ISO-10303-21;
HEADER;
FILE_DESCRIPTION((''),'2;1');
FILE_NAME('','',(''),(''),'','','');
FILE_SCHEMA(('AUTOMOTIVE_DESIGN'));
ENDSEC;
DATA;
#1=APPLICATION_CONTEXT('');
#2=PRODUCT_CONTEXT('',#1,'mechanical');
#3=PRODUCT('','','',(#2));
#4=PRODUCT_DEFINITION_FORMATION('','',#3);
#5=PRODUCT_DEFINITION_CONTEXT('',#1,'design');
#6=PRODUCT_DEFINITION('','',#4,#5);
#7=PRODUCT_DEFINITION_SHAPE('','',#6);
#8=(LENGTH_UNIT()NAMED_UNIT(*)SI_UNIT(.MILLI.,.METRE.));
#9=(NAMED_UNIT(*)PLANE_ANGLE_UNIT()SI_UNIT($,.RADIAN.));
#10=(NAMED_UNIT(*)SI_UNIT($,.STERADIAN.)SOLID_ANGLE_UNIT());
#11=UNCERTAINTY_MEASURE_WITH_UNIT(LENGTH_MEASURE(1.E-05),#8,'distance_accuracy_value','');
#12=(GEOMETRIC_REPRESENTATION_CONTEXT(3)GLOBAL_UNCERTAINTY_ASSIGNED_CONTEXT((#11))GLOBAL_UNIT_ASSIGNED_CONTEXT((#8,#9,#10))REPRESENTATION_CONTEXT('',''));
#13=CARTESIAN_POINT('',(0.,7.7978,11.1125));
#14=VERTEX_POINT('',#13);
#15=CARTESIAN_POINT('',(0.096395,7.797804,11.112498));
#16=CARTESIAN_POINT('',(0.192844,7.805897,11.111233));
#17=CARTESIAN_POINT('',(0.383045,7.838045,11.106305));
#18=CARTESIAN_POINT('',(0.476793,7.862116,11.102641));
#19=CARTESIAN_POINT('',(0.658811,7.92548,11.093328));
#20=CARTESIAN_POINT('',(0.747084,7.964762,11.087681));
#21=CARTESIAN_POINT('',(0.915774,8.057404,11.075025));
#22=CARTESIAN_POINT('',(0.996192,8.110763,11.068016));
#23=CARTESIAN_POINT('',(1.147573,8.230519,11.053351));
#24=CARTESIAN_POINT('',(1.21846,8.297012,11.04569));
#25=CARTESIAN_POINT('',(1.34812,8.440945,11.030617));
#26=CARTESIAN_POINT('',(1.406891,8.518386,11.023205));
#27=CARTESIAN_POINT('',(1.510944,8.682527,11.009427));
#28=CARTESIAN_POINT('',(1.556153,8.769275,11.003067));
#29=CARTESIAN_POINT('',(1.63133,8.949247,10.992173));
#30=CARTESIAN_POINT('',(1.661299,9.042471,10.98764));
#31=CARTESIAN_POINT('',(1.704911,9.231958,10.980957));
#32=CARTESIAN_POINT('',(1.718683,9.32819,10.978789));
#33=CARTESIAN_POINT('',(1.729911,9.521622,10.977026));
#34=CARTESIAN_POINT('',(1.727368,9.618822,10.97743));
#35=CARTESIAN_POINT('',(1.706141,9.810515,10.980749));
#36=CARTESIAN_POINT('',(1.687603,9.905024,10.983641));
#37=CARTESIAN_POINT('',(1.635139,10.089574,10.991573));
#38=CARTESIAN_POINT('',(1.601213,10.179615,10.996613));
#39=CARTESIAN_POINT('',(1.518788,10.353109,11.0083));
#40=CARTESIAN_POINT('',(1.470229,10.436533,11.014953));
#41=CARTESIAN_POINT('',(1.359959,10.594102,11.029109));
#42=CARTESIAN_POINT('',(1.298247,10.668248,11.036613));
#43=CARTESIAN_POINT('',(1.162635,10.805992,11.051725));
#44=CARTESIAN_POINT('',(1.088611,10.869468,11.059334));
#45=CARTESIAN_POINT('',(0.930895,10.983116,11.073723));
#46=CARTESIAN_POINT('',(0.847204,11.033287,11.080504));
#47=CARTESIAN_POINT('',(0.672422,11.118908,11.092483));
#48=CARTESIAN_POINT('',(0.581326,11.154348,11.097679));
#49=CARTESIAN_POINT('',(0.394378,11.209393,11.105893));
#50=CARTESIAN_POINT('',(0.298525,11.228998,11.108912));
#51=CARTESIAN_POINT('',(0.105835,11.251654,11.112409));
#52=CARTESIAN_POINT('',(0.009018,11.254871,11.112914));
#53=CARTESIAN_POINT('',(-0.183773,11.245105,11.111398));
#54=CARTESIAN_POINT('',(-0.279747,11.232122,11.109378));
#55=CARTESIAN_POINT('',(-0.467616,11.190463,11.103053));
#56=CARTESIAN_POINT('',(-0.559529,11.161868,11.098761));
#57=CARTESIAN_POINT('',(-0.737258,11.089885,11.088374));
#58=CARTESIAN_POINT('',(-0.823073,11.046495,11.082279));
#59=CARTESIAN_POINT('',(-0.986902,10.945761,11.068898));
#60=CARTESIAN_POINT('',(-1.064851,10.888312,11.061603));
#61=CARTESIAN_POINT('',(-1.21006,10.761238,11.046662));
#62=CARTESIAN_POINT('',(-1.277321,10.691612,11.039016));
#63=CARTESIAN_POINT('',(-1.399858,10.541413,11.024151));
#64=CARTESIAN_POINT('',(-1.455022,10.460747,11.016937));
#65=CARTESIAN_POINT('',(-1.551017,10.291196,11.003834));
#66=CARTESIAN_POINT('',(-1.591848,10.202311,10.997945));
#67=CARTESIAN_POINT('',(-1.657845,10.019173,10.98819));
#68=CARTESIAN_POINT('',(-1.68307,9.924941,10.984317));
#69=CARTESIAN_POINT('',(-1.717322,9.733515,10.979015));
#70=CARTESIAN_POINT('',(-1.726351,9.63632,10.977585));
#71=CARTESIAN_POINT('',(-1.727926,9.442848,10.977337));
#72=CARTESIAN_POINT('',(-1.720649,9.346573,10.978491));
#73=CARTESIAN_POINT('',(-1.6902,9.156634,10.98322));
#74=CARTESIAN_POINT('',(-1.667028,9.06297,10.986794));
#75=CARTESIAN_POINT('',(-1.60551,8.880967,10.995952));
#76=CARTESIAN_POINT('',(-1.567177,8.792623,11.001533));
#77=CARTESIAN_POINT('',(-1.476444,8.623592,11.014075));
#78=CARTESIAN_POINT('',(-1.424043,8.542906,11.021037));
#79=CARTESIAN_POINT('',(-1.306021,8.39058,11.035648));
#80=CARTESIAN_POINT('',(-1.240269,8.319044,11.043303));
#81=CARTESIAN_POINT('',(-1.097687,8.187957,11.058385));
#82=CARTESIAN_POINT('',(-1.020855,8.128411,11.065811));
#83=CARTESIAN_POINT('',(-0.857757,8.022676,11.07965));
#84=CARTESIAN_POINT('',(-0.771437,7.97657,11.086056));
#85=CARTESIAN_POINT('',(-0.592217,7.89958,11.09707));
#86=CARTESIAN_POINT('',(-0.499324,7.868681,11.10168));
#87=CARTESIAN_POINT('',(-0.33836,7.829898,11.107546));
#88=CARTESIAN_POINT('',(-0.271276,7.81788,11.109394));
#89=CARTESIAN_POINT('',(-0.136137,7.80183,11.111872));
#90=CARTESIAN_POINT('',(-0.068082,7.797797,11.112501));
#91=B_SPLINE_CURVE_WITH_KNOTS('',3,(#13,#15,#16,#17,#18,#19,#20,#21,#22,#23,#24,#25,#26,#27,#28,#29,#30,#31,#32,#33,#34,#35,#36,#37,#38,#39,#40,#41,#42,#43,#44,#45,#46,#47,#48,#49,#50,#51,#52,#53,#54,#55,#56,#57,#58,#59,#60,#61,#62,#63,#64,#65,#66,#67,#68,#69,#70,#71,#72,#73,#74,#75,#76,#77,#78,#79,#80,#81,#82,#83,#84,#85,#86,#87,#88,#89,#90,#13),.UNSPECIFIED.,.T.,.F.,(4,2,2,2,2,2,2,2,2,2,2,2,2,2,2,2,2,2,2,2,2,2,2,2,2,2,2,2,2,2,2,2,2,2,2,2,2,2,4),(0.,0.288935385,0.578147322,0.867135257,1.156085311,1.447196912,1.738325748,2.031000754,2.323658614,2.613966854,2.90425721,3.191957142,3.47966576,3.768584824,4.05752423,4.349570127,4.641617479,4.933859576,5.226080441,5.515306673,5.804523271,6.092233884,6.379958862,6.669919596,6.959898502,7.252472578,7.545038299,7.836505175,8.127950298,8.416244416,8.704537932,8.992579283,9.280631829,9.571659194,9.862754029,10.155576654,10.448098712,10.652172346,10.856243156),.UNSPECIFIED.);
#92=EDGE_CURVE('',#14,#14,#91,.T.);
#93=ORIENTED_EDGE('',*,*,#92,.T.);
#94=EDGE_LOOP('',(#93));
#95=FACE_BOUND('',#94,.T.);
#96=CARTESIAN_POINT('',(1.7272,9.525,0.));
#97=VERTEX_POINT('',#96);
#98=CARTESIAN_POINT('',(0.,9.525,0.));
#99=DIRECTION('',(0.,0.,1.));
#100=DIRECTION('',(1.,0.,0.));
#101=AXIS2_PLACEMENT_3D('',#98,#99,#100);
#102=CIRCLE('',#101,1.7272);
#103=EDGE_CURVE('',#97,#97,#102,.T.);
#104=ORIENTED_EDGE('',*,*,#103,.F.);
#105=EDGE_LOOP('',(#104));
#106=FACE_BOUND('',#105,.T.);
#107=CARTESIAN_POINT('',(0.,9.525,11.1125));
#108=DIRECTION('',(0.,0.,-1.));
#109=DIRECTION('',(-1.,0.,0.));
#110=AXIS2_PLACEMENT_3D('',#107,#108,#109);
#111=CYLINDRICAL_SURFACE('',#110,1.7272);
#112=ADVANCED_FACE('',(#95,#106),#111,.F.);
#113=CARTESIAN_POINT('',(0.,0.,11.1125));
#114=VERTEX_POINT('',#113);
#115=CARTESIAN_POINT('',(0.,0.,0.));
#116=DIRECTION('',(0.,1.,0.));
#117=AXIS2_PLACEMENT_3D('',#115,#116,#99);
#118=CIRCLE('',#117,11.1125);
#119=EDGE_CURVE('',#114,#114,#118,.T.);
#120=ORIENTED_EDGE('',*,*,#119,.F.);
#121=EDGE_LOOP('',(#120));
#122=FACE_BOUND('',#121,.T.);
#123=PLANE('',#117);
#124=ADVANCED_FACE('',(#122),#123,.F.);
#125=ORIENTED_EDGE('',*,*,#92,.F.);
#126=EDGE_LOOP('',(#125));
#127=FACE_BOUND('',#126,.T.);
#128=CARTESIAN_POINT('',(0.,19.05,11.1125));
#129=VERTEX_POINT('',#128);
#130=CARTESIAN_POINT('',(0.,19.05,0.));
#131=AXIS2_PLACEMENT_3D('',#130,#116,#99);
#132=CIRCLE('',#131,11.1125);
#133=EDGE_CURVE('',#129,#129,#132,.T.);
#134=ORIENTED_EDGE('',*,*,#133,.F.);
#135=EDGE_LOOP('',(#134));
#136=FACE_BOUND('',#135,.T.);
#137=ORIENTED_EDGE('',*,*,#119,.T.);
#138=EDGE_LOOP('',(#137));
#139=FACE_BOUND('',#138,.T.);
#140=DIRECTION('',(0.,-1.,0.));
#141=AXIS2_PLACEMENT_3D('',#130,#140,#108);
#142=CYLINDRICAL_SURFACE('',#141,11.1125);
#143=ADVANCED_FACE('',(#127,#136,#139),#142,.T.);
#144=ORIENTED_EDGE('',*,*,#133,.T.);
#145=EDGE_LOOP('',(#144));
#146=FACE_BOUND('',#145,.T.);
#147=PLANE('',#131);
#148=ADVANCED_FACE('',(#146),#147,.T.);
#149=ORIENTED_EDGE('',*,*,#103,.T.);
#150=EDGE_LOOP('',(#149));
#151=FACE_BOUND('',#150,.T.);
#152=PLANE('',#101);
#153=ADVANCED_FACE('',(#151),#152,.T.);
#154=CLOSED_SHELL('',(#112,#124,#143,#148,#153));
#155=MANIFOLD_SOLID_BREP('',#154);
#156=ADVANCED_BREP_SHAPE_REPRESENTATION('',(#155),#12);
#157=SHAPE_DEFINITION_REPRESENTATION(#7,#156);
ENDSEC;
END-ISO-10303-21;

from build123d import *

# Parameters (mm, degrees)
SKETCH1_R           = 11.1125
BOSS_EXTRUDE1_DEPTH = 19.05
SKETCH2_R           = 1.7272
CUT_EXTRUDE1_DEPTH  = 25.695704333


with BuildPart() as part:
    # Sketch1 → Boss-Extrude1 (new body)
    with BuildSketch(Plane(origin=(0, 0, 0), x_dir=(1, 0, 0), z_dir=(0, 1, 0))):
        with Locations(Location((0, 0, 0), (0, 0, 90))):
            Circle(SKETCH1_R)
    extrude(amount=BOSS_EXTRUDE1_DEPTH)

    # Sketch2 → Cut-Extrude1 (cut, through all)
    with BuildSketch(Plane.XY):
        with Locations(Location((0, 9.525, 0), (0, 0, 90))):
            Circle(SKETCH2_R)
    extrude(amount=CUT_EXTRUDE1_DEPTH, mode=Mode.SUBTRACT)


solid = part.part
